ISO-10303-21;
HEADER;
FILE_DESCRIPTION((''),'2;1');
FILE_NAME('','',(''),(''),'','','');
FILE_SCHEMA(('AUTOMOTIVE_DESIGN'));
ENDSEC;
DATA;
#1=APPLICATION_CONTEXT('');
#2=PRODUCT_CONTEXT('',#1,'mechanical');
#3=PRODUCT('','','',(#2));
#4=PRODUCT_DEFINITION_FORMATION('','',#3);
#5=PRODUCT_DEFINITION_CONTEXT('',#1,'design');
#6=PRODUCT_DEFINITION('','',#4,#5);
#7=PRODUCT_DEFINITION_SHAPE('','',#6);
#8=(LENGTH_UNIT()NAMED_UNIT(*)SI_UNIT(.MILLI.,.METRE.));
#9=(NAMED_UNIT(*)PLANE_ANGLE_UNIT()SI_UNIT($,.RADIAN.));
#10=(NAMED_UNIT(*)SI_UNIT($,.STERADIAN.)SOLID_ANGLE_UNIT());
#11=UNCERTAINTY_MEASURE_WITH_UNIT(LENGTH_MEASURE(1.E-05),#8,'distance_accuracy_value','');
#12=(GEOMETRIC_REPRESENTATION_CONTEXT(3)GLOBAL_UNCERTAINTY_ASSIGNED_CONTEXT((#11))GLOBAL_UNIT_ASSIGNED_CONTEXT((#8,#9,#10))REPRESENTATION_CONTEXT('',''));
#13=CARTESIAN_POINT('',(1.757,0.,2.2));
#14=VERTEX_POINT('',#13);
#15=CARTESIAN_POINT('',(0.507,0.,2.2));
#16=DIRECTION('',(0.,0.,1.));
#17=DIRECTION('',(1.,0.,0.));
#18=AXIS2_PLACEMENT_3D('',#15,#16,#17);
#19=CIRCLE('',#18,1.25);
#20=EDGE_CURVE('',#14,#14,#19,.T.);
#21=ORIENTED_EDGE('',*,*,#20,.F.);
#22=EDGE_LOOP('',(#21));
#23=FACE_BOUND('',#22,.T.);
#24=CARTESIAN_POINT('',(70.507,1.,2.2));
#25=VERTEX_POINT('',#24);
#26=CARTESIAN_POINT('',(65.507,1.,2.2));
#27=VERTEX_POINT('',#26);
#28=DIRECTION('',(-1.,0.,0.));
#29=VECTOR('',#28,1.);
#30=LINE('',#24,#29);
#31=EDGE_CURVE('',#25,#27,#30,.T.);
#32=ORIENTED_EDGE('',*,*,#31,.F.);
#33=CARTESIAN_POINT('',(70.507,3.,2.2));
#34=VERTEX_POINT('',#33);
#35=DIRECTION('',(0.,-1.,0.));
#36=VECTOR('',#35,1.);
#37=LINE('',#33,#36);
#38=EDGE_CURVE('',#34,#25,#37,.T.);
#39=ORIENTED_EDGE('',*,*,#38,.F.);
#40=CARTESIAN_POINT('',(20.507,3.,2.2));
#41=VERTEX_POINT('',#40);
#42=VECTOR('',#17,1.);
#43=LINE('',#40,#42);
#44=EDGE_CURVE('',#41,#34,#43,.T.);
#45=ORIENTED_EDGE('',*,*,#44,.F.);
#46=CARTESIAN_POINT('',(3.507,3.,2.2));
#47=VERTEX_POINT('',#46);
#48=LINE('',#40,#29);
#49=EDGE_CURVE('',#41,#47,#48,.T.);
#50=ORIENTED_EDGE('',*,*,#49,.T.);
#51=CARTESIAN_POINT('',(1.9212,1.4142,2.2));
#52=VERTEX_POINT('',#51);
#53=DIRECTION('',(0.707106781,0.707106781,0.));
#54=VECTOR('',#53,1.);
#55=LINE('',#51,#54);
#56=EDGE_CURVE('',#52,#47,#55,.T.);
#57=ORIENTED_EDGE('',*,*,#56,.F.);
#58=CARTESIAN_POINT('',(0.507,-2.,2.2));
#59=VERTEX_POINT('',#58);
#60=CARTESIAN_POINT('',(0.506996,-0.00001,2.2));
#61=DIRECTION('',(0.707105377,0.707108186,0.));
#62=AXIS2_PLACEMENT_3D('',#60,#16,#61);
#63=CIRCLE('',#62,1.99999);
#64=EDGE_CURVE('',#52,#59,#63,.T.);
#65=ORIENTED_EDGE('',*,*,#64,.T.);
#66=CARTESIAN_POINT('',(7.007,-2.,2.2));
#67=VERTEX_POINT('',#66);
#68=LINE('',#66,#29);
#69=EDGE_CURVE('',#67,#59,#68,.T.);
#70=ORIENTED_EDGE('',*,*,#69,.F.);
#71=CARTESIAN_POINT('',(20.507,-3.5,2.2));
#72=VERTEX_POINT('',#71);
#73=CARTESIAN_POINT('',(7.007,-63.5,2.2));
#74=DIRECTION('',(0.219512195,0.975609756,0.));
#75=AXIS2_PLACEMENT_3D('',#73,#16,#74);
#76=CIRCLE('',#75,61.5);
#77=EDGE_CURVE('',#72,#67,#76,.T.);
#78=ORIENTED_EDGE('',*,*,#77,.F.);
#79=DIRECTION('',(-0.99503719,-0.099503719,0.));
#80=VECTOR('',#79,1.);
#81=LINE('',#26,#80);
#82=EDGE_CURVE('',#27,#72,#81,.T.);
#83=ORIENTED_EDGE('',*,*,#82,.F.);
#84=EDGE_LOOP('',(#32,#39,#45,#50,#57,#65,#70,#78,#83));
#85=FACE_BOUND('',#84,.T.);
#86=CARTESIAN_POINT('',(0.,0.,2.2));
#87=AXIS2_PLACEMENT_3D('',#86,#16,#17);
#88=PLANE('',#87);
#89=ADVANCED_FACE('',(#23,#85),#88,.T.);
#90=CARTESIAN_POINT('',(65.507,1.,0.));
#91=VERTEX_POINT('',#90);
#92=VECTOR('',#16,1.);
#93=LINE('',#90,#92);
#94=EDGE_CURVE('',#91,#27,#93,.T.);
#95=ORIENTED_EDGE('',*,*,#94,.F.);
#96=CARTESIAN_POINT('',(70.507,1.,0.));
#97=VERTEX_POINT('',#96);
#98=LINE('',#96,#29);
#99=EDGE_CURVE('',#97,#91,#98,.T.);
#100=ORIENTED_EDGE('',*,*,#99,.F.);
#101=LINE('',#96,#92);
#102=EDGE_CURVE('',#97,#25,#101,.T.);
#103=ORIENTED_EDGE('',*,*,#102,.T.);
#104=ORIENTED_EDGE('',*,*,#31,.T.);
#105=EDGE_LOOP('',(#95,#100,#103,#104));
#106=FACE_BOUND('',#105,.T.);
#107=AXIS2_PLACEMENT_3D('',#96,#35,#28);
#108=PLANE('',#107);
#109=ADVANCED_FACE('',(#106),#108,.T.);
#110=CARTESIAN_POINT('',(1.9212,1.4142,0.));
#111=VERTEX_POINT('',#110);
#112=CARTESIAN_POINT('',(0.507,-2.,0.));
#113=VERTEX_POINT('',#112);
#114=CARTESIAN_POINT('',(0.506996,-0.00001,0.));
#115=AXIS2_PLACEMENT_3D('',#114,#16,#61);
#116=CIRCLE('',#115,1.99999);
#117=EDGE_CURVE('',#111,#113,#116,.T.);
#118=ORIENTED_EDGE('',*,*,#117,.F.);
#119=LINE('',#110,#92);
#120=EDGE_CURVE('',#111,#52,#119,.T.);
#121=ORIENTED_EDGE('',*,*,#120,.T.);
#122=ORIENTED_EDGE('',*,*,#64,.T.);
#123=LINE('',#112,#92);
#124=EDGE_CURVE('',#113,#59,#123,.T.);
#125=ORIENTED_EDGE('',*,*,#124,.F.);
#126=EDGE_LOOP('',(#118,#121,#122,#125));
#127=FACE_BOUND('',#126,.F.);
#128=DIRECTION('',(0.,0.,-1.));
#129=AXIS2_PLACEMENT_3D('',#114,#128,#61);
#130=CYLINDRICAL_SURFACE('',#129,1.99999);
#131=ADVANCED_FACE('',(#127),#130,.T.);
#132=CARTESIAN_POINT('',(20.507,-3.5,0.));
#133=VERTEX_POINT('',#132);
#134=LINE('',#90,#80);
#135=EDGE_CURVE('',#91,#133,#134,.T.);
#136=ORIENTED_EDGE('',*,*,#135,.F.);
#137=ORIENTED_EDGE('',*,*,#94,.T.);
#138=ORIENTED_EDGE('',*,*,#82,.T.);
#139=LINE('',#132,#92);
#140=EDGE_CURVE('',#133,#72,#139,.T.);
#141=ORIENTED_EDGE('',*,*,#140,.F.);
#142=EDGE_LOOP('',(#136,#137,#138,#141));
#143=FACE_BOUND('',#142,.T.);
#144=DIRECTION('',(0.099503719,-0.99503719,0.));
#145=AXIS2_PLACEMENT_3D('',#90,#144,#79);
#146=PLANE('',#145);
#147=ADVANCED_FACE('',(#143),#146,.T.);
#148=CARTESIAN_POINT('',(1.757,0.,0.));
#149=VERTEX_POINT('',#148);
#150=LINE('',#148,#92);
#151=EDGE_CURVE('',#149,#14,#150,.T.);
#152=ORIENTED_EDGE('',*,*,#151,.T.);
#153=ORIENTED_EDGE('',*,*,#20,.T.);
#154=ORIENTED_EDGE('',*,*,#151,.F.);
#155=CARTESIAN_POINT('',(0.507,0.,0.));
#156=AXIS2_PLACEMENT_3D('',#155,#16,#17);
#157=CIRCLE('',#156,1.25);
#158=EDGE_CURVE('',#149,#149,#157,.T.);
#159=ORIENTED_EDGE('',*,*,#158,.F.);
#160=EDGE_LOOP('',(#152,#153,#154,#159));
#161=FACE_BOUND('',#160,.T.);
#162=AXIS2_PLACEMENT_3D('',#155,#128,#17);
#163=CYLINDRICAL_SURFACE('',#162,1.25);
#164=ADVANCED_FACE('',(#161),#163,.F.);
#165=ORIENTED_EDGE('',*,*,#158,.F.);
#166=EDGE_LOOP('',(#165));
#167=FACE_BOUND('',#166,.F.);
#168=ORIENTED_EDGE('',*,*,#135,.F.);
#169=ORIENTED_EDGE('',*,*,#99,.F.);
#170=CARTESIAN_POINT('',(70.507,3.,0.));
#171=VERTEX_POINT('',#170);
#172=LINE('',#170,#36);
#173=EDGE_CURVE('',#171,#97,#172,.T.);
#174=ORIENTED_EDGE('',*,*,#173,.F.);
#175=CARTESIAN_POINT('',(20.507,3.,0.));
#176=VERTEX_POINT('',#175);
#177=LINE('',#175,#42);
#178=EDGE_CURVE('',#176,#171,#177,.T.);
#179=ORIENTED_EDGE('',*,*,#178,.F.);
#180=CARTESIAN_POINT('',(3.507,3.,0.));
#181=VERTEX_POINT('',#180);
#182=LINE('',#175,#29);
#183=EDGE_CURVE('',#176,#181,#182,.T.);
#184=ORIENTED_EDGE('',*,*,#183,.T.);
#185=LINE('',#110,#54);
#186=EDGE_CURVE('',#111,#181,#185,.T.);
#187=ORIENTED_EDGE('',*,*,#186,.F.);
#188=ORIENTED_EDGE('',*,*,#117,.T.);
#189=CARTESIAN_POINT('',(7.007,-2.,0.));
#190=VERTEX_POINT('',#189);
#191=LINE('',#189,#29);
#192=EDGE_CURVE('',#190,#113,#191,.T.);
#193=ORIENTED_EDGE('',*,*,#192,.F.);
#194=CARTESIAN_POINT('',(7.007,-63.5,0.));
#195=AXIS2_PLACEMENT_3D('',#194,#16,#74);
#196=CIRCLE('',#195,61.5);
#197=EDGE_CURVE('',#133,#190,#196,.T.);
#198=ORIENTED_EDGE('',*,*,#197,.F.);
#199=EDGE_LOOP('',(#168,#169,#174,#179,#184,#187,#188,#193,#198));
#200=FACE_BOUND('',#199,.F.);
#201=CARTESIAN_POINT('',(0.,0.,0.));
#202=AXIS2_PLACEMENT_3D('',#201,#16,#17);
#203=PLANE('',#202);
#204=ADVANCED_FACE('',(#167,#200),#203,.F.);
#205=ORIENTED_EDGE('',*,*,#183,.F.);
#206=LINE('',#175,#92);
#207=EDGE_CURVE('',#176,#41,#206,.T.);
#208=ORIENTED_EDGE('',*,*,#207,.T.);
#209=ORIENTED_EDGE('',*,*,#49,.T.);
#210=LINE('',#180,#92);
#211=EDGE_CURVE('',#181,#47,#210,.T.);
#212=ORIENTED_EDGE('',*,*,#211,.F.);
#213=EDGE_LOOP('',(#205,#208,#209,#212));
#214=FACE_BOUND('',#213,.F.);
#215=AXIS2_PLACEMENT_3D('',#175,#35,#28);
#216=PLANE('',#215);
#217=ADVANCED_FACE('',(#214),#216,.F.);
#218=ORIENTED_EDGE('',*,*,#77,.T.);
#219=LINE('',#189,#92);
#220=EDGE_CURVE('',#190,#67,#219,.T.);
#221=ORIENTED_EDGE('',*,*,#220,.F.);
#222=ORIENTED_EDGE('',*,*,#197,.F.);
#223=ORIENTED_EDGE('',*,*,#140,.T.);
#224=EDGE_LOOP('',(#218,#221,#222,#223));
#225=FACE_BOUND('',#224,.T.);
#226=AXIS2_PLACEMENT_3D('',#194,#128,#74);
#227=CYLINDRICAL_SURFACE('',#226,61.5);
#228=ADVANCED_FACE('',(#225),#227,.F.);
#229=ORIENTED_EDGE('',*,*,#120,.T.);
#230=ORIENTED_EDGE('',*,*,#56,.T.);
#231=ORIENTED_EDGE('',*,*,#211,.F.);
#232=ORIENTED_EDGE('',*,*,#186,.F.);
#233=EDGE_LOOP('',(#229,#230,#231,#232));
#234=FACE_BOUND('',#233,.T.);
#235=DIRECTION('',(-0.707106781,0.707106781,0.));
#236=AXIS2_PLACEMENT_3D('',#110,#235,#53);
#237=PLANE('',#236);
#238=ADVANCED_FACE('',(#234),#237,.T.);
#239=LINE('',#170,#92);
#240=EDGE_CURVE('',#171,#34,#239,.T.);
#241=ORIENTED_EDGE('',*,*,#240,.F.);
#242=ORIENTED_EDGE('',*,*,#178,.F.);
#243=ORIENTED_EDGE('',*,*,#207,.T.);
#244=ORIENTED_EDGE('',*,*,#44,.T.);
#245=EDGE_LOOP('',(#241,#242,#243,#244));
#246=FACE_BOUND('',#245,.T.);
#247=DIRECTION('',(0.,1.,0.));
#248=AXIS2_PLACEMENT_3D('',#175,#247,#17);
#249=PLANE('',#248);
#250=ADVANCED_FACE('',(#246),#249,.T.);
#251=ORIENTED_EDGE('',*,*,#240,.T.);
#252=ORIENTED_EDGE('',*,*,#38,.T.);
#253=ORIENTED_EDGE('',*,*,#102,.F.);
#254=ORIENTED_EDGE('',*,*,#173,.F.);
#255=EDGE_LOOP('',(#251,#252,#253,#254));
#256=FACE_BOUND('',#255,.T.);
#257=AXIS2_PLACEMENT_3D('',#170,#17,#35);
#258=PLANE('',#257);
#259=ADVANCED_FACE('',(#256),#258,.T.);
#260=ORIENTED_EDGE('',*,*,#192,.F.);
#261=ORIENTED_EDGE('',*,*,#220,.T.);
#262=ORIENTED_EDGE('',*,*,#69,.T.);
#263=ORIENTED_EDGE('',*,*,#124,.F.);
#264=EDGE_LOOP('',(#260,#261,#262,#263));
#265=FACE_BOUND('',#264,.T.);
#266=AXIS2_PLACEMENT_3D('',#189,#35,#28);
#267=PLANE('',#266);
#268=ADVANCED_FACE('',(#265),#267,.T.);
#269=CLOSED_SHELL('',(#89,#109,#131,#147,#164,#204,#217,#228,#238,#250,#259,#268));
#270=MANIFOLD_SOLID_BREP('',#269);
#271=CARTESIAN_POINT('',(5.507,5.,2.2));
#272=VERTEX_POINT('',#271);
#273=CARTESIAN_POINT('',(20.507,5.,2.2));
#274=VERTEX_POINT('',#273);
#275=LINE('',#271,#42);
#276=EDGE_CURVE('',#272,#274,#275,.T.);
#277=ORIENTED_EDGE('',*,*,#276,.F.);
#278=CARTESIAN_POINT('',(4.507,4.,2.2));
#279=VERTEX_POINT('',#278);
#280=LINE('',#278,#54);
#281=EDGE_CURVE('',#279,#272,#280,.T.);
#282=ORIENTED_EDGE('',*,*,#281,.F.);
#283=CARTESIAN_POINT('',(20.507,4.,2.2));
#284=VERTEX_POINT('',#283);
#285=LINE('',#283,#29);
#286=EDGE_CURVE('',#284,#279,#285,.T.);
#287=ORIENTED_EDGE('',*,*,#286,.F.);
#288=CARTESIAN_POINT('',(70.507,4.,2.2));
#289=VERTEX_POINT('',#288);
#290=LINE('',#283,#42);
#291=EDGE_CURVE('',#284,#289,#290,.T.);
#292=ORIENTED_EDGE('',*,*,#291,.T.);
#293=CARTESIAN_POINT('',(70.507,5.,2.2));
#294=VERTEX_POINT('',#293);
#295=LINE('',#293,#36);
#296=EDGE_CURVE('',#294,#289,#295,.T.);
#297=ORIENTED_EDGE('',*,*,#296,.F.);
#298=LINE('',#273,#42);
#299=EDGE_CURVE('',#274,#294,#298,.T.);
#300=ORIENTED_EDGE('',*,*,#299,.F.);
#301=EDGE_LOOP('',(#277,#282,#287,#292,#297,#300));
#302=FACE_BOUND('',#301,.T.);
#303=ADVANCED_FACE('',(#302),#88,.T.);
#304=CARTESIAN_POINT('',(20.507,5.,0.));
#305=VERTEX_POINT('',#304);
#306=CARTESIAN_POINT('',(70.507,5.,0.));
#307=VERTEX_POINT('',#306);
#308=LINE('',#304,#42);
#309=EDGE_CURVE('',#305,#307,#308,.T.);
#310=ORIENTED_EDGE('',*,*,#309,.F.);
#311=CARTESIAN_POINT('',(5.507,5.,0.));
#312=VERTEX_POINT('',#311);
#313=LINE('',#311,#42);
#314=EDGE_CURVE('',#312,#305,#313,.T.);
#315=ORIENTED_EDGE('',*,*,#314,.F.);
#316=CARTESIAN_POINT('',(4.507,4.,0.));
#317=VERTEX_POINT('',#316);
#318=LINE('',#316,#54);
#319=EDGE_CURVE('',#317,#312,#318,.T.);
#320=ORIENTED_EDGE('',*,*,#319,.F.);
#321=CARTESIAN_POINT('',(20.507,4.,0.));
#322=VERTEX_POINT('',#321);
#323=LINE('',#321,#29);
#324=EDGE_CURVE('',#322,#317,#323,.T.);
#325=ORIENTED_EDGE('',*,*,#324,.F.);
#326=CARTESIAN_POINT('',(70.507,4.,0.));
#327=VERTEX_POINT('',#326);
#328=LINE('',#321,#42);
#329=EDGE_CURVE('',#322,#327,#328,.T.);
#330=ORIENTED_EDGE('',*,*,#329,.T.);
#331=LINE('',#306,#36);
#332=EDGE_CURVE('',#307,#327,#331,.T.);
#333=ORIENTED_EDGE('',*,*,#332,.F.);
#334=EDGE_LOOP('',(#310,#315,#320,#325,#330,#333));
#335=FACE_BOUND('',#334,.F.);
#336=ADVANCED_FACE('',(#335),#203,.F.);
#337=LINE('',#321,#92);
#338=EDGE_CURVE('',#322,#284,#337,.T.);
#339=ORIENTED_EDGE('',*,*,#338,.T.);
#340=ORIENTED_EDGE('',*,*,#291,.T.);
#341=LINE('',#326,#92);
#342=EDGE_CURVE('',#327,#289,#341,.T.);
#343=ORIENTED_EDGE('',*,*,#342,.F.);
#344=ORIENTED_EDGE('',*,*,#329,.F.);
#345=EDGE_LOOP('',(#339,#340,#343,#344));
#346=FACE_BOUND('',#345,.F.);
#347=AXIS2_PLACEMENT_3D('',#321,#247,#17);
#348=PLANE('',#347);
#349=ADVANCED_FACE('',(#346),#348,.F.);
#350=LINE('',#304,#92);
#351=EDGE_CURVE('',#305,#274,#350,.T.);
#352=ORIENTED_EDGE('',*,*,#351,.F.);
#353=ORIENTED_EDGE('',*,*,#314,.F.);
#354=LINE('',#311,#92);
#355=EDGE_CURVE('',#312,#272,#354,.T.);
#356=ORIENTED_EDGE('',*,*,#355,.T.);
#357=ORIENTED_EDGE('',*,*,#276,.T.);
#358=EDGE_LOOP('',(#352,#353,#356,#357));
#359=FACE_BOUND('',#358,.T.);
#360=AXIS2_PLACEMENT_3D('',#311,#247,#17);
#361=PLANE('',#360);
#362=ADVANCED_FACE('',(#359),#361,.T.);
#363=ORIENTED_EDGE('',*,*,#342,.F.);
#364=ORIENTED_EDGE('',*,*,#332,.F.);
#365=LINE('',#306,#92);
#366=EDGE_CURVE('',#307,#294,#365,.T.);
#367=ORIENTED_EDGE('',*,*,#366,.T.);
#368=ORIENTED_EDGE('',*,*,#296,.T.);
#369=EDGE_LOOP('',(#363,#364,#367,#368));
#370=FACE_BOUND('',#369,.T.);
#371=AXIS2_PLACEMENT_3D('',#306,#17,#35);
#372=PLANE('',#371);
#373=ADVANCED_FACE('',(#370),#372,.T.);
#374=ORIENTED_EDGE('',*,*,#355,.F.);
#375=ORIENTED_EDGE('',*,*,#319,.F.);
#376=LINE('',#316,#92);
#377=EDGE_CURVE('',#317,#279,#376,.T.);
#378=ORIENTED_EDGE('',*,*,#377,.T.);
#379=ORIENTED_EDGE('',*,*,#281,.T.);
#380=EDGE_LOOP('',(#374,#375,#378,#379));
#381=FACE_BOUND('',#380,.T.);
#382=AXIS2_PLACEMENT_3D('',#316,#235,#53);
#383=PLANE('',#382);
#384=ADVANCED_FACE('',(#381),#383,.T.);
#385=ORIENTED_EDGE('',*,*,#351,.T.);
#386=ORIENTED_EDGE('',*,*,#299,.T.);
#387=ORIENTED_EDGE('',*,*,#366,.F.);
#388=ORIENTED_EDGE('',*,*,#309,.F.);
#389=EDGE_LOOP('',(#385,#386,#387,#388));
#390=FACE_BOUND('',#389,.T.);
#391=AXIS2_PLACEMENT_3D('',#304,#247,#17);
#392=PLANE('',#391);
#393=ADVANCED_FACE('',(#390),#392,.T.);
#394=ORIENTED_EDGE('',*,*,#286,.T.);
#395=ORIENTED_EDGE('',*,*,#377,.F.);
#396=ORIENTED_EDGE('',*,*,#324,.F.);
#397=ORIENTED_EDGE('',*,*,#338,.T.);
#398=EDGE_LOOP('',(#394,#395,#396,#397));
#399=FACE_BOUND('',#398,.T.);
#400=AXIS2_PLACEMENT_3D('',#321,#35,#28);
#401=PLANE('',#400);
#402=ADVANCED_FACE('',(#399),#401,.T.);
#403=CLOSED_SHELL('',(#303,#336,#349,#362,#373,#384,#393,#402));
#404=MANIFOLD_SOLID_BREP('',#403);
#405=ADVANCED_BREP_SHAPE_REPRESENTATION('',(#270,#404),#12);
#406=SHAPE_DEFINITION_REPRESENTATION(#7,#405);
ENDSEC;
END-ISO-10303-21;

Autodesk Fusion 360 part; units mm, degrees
sketch "Sketch1" plane through (0, 0, 0) normal (0, 0, 1) x (1, 0, 0)
  circle A0 centre (0.507, 0) radius 1.25
  line L0 (3.507, 3) -> (2.507, 3)
  line L1 (4.507, 4) -> (5.507, 5)
  line L2 (5.507, 5) -> (20.507, 5)
  arc A1 (1.9212, 1.4142) -> (0.507, -2) centre (0.507, 0) ccw
  line L3 (1.9212, 1.4142) -> (3.507, 3)
  line L4 (20.507, 4) -> (4.507, 4)
  line L5 (20.507, 3) -> (3.507, 3)
  line L6 (20.507, 5) -> (70.507, 5)
  line L7 (20.507, 4) -> (70.507, 4)
  line L8 (20.507, 3) -> (70.507, 3)
  line L9 (70.507, 3) -> (70.507, 1)
  line L10 (70.507, 5) -> (70.507, 4)
  line L11 (70.507, 1) -> (65.507, 1)
  line L12 (65.507, 1) -> (20.507, -3.5)
  line L13 (7.007, -2) -> (0.507, -2)
  arc A2 (20.507, -3.5) -> (7.007, -2) centre (7.007, -63.5) ccw
  dimension "d3" = 2.5
  dimension "d7" = 4
  dimension "d14" = 1
  dimension "d15" = 1
  dimension "d17" = 50
  dimension "d18" = 50
  dimension "d19" = 50
  dimension "d20" = 2
  dimension "d24" = 5
extrude "Extrude4" add sketch "Sketch1" along normal blind 2.2 contours A1 L3 L5 L8 L9 L11 L12 L13 A2 makes body 1
extrude "Extrude5" add sketch "Sketch1" along normal blind 2.2 separate body contours L1 L2 L4 L6 L7 L10 makes body 2
